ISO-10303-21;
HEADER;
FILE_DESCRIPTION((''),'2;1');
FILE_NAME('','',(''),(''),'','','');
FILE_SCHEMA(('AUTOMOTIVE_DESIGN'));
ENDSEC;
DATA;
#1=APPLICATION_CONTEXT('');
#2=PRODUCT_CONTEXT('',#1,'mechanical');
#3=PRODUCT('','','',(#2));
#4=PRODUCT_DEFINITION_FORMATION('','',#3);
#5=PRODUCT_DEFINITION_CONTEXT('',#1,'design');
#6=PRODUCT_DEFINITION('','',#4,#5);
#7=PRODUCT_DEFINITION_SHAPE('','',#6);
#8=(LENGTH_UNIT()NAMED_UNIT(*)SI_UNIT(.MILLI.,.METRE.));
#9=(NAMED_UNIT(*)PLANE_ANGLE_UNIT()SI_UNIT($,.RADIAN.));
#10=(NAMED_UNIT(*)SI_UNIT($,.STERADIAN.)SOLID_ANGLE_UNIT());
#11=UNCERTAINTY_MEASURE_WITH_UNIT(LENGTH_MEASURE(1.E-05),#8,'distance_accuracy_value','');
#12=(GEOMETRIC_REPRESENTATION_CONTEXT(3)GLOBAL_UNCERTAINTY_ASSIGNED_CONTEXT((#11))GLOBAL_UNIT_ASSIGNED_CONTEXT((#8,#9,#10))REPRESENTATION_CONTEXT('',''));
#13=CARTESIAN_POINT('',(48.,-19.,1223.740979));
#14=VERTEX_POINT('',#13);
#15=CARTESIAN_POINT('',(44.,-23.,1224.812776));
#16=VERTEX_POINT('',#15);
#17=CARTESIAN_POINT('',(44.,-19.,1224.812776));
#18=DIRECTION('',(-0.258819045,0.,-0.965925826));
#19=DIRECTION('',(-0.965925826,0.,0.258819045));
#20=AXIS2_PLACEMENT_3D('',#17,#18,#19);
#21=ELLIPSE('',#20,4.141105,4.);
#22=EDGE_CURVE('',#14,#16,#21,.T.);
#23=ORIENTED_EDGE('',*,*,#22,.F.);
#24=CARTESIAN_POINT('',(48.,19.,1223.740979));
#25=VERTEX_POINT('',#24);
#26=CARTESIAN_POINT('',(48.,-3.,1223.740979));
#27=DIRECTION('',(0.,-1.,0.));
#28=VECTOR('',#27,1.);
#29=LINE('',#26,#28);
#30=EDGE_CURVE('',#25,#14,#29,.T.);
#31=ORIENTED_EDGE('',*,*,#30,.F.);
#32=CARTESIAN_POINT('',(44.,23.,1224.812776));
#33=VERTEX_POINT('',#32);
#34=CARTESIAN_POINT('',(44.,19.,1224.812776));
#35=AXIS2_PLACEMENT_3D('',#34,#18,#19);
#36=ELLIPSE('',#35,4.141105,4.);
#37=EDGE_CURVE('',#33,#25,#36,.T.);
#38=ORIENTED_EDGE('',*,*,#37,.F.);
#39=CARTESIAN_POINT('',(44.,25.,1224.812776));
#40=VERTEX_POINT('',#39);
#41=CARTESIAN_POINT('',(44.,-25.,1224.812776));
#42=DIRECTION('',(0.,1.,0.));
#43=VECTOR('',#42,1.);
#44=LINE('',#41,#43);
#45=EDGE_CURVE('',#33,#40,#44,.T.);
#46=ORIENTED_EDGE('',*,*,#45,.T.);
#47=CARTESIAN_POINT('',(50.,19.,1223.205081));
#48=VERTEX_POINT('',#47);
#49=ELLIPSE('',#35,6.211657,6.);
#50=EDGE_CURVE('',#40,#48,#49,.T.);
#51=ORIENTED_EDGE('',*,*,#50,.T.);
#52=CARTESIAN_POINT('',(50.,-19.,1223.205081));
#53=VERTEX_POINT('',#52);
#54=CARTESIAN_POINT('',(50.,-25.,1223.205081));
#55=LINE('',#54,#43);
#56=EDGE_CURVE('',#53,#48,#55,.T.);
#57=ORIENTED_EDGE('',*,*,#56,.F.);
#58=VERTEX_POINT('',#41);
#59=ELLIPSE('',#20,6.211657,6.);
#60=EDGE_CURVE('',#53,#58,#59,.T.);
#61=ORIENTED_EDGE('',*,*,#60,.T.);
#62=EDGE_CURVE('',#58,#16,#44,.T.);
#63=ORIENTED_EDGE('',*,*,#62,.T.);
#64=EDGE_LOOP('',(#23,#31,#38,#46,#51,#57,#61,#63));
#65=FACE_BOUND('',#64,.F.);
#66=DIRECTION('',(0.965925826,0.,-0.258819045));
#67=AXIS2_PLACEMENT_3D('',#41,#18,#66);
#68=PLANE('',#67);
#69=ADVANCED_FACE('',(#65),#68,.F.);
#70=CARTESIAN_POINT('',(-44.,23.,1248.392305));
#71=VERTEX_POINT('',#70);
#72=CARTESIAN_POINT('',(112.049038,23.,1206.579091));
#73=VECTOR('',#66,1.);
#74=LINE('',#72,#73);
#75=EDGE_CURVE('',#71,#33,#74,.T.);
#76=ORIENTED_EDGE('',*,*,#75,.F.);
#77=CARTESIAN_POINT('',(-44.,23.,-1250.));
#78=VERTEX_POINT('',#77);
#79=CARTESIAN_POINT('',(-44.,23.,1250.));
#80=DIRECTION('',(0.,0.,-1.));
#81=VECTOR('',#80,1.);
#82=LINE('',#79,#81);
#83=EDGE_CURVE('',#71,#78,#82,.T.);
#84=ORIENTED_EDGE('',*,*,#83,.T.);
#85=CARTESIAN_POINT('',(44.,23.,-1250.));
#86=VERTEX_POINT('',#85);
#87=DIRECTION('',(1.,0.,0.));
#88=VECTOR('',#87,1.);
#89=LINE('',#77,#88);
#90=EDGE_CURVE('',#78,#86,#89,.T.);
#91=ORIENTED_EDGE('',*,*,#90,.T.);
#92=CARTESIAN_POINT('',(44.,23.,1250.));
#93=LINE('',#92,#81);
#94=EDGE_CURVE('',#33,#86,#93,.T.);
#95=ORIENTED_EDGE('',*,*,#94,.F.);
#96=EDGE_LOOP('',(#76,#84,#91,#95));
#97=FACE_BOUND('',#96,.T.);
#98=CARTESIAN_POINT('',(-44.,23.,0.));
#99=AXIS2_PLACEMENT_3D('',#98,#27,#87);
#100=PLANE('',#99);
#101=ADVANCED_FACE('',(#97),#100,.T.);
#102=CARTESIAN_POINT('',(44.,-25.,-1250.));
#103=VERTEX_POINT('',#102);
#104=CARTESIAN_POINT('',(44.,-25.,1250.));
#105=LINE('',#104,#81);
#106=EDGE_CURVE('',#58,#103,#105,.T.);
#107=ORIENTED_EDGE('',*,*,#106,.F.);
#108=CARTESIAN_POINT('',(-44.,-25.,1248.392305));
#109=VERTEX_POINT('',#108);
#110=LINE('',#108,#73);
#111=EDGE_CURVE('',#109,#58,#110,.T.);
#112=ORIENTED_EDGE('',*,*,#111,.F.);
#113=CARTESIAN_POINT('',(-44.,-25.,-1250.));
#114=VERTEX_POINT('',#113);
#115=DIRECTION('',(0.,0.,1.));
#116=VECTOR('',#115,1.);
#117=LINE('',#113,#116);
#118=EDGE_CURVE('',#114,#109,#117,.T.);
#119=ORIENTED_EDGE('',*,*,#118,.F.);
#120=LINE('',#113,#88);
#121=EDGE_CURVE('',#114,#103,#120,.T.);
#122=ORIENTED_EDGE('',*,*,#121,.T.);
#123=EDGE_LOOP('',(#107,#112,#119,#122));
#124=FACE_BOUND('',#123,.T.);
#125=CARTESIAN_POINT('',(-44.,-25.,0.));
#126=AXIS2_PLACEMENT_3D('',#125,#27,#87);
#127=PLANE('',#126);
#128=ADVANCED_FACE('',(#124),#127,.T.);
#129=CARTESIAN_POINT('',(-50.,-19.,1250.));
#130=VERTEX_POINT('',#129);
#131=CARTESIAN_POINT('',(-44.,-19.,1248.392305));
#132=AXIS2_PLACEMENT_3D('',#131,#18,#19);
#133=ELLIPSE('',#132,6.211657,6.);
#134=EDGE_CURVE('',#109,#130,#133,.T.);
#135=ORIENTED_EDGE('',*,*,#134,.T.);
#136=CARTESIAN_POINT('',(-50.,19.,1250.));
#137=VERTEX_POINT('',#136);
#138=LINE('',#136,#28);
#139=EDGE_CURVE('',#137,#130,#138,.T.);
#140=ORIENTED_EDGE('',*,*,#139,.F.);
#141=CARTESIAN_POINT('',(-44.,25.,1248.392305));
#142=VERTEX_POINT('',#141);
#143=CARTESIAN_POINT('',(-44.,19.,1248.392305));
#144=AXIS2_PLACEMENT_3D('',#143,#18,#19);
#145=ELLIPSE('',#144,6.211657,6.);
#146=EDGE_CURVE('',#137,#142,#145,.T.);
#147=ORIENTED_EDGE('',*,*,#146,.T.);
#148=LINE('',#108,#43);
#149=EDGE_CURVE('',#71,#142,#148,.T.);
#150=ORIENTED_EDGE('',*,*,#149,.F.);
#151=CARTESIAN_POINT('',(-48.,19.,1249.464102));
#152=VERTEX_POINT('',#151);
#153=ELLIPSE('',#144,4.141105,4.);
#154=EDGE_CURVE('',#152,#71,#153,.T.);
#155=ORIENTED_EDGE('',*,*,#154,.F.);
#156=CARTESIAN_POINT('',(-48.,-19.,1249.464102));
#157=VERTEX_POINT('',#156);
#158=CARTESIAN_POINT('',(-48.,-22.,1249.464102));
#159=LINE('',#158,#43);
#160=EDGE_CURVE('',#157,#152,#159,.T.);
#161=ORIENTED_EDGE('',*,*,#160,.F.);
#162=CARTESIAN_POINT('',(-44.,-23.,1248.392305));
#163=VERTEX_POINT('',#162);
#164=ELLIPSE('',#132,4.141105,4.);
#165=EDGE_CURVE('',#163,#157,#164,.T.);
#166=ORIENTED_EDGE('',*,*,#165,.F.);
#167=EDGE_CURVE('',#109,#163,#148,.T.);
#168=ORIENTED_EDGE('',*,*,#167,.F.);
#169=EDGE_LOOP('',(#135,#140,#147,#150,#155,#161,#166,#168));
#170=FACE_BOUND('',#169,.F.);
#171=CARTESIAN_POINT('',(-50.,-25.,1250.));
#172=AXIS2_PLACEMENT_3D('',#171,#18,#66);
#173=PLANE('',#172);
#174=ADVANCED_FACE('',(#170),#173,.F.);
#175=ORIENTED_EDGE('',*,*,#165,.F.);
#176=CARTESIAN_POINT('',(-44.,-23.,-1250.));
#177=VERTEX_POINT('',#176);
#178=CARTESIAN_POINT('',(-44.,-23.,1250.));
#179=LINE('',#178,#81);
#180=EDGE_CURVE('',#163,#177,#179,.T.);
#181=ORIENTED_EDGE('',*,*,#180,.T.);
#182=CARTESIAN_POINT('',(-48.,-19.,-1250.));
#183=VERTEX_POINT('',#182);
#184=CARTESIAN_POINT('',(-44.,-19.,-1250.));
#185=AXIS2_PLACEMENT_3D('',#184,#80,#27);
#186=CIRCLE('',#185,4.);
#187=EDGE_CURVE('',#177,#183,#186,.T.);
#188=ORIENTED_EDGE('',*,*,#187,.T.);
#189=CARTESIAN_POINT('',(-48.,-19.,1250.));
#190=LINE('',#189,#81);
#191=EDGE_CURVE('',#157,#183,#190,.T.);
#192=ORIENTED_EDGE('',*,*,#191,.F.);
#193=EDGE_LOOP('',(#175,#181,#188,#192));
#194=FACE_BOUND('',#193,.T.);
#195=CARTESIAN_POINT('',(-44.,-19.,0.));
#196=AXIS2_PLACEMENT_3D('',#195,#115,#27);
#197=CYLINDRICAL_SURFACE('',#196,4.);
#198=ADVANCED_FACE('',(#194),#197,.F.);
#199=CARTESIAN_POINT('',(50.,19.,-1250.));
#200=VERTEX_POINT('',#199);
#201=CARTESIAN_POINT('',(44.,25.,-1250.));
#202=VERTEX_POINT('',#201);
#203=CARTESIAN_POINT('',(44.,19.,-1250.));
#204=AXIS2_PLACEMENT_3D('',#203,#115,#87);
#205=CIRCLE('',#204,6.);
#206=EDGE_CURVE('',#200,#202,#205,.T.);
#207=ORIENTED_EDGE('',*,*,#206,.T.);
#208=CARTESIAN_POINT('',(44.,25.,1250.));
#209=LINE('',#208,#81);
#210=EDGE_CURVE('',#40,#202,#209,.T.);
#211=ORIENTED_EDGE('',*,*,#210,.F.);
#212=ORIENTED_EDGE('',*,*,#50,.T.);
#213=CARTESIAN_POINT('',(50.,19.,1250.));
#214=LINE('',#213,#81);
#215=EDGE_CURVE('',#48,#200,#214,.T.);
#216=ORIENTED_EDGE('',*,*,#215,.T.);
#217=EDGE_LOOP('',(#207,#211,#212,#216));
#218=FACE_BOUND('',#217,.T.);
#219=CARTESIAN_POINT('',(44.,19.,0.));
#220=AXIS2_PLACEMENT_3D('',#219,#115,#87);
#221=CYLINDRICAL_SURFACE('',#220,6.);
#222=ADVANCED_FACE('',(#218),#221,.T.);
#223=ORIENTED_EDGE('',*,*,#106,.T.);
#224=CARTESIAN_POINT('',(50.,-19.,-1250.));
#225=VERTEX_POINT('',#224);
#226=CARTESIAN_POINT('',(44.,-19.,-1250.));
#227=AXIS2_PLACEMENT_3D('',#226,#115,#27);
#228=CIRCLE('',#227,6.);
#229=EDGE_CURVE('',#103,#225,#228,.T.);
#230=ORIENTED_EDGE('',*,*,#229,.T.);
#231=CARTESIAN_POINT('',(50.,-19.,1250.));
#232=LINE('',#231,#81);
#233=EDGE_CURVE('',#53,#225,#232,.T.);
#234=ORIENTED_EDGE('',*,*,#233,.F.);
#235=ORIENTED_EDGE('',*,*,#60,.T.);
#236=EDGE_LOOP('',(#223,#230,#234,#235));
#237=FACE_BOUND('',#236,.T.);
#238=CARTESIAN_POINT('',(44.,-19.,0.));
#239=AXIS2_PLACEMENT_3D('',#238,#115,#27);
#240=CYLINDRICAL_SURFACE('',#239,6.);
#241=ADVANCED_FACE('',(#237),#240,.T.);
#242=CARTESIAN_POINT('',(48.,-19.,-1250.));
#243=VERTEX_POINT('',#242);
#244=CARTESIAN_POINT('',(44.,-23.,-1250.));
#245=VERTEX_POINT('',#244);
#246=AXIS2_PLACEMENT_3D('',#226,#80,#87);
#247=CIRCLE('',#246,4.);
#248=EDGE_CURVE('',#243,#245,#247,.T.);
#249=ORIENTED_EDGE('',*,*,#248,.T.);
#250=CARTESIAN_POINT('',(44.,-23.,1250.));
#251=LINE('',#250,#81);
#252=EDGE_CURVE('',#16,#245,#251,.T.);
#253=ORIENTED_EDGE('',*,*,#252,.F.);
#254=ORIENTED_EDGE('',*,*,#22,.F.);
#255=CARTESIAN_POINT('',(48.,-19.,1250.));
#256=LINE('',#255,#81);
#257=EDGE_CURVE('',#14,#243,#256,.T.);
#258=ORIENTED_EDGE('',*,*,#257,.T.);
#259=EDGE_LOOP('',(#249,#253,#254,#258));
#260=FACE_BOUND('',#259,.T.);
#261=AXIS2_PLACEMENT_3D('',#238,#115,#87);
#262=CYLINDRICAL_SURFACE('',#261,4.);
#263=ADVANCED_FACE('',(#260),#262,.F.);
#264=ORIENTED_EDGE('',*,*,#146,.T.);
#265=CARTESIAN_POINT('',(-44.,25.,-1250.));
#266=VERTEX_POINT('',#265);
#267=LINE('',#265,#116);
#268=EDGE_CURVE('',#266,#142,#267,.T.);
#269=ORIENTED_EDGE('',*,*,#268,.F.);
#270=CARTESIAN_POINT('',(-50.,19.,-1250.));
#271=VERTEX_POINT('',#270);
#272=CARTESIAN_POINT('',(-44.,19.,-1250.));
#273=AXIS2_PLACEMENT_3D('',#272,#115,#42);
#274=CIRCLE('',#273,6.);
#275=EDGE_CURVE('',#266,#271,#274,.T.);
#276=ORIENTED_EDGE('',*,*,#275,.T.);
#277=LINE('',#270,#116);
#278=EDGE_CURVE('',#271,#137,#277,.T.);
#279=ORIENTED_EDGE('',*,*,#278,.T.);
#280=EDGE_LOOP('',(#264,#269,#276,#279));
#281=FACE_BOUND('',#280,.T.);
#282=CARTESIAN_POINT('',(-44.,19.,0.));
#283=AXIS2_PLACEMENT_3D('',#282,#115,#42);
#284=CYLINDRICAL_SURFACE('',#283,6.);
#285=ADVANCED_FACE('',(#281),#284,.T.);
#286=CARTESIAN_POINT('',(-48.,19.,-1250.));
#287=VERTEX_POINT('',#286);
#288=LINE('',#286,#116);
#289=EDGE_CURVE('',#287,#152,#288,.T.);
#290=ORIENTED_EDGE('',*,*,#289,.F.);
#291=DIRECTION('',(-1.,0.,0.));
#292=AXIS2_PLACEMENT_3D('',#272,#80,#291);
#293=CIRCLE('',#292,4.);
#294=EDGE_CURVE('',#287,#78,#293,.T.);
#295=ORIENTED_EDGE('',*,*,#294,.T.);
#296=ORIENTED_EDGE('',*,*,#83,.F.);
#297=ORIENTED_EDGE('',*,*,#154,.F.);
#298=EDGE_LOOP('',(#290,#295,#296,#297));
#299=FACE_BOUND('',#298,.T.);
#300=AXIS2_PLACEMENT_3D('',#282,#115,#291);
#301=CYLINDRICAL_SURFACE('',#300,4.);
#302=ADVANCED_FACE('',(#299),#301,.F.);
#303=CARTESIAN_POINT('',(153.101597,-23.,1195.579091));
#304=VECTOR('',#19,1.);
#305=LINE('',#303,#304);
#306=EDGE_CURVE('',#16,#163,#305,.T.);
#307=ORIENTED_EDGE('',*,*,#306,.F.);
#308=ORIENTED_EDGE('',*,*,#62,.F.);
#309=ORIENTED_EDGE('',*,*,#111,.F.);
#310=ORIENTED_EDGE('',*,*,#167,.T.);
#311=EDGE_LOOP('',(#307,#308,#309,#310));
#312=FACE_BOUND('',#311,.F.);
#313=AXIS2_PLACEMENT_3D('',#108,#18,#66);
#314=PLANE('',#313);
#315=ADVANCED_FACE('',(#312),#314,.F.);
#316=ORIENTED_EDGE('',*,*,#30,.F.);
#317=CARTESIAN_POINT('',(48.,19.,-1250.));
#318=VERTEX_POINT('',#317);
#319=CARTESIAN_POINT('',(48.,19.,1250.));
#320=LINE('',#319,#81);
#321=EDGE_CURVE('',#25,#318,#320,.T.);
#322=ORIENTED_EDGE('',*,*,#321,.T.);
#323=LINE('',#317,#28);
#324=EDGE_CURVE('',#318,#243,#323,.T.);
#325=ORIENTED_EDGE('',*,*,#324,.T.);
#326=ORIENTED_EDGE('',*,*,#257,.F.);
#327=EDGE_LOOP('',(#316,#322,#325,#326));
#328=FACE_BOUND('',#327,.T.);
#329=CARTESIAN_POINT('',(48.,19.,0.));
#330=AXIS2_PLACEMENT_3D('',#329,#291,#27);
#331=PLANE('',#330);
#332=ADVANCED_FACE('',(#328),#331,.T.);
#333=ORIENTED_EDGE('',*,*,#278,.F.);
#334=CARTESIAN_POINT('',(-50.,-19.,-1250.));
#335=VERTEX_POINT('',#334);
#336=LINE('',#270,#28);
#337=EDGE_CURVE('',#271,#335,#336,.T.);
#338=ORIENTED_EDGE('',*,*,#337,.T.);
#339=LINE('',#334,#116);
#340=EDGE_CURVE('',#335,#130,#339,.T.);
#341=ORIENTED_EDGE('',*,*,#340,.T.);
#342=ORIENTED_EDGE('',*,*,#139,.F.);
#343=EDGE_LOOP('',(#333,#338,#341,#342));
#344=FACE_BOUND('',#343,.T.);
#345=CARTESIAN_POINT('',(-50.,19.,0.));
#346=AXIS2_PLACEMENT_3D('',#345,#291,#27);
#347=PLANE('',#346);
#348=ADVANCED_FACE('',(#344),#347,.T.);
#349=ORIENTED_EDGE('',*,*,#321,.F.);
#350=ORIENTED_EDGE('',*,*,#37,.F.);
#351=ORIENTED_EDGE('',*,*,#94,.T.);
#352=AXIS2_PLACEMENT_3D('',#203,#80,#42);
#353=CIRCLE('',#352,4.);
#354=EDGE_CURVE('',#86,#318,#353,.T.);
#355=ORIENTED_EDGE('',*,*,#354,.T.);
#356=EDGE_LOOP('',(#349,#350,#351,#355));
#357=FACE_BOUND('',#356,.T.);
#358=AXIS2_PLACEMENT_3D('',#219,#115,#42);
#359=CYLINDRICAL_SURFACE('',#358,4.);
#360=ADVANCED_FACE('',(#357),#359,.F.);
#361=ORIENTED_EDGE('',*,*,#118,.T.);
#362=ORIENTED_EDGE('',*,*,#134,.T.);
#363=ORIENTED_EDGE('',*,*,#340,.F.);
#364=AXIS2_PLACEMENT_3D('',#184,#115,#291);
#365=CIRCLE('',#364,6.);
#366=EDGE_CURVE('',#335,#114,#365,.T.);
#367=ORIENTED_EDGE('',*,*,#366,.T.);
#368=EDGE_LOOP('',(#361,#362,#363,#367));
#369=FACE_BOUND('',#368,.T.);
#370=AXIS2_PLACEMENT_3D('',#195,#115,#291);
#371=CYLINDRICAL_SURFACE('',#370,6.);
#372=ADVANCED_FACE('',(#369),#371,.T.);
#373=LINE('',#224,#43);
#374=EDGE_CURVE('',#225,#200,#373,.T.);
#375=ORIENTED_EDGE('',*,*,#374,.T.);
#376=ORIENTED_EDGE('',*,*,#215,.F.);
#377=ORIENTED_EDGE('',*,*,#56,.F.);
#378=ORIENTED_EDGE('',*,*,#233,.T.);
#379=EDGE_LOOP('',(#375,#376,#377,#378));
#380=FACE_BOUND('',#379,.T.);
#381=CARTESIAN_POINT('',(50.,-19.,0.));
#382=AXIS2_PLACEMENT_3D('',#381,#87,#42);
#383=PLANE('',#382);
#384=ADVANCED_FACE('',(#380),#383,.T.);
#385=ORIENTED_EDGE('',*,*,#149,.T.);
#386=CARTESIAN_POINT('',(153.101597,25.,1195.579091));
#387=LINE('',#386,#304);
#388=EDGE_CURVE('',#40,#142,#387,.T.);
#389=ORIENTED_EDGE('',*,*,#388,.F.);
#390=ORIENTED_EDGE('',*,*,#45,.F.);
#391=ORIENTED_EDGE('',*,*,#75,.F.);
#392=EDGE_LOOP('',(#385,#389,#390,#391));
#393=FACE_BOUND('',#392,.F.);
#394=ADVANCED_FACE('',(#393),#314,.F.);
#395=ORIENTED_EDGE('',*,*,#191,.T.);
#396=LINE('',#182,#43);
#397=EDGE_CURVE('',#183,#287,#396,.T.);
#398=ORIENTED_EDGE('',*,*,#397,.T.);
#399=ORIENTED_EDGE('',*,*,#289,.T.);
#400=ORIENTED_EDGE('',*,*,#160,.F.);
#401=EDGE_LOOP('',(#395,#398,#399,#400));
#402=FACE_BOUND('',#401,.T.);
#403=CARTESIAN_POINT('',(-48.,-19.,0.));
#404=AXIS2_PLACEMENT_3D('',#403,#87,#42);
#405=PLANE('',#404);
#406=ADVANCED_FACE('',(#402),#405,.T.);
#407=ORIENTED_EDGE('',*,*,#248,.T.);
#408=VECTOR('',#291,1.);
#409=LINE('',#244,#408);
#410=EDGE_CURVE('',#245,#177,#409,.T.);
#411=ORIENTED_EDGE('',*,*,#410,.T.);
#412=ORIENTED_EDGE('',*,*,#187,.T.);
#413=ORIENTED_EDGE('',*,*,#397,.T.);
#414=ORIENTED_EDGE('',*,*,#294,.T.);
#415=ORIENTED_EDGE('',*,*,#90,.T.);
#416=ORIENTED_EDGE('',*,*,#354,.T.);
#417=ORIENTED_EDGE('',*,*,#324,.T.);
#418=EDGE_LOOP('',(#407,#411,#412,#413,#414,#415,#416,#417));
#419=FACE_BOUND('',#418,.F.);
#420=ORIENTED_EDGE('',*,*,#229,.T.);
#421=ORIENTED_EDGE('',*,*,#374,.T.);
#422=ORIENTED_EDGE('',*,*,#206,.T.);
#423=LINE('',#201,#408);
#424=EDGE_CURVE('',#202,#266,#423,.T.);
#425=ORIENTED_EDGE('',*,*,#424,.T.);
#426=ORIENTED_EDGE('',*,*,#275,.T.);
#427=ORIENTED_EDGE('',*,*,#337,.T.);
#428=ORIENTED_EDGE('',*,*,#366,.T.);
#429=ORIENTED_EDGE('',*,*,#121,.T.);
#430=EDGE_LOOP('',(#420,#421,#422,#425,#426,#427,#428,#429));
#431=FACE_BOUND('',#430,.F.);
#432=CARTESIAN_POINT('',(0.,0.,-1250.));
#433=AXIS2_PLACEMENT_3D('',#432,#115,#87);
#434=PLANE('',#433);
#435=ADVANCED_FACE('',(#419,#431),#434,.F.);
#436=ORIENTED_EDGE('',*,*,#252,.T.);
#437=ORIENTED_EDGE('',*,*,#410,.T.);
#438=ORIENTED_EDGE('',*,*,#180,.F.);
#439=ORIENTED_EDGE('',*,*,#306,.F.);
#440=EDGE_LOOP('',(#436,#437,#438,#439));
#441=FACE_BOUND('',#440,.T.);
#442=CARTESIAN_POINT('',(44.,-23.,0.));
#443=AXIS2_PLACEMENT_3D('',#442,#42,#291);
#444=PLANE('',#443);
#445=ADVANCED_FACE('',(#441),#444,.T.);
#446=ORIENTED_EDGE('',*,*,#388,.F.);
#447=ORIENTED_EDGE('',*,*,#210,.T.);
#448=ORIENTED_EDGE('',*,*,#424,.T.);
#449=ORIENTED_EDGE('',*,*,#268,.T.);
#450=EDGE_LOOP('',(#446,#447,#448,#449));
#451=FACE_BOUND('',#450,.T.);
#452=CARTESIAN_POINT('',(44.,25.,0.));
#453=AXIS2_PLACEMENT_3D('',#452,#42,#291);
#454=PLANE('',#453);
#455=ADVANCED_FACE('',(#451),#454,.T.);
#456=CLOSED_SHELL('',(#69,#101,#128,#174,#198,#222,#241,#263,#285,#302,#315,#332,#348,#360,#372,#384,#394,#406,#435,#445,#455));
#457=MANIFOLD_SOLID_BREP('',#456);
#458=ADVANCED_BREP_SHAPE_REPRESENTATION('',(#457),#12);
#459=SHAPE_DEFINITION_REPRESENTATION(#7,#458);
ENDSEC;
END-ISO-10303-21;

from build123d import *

# Parameters (mm, degrees)
F1_DEPTH = 1250
F3_DEPTH = 50.001


with BuildPart() as f1:
    # F0 (on Top) → F1 (new body, symmetric)
    with BuildSketch(Plane.XY):
        with BuildLine():
            Line((44, 25), (-44, 25))
            ThreePointArc((-44, 25), (-48.2426406871, 23.2426406871), (-50, 19))
            Line((-50, 19), (-50, -19))
            ThreePointArc((-50, -19), (-48.2426406871, -23.2426406871), (-44, -25))
            Line((-44, -25), (44, -25))
            ThreePointArc((44, -25), (48.2426406871, -23.2426406871), (50, -19))
            Line((50, -19), (50, 19))
            ThreePointArc((50, 19), (48.2426406871, 23.2426406871), (44, 25))
        make_face()
        with BuildLine():
            ThreePointArc((-48, 19), (-46.8284271247, 21.8284271247), (-44, 23))
            Line((-44, 23), (44, 23))
            ThreePointArc((44, 23), (46.8284271247, 21.8284271247), (48, 19))
            Line((48, 19), (48, -19))
            ThreePointArc((48, -19), (46.8284271247, -21.8284271247), (44, -23))
            Line((44, -23), (-44, -23))
            ThreePointArc((-44, -23), (-46.8284271247, -21.8284271247), (-48, -19))
            Line((-48, -19), (-48, 19))
        make_face(mode=Mode.SUBTRACT)
    extrude(amount=F1_DEPTH, both=True)

    # F2 (on face) → F3 (cut, through all)
    with BuildSketch(Plane.XZ.offset(25)):
        Polygon((50, 1223.2050807569), (50, 1250), (44, 1250), (44, 1224.8127759115), align=None)
        Polygon((44, 1224.8127759115), (44, 1250), (-44, 1250), (-44, 1248.3923048454), align=None)
        Polygon((-44, 1248.3923048454), (-44, 1250), (-50, 1250), align=None)
    extrude(amount=-F3_DEPTH, mode=Mode.SUBTRACT)


solid = f1.part
